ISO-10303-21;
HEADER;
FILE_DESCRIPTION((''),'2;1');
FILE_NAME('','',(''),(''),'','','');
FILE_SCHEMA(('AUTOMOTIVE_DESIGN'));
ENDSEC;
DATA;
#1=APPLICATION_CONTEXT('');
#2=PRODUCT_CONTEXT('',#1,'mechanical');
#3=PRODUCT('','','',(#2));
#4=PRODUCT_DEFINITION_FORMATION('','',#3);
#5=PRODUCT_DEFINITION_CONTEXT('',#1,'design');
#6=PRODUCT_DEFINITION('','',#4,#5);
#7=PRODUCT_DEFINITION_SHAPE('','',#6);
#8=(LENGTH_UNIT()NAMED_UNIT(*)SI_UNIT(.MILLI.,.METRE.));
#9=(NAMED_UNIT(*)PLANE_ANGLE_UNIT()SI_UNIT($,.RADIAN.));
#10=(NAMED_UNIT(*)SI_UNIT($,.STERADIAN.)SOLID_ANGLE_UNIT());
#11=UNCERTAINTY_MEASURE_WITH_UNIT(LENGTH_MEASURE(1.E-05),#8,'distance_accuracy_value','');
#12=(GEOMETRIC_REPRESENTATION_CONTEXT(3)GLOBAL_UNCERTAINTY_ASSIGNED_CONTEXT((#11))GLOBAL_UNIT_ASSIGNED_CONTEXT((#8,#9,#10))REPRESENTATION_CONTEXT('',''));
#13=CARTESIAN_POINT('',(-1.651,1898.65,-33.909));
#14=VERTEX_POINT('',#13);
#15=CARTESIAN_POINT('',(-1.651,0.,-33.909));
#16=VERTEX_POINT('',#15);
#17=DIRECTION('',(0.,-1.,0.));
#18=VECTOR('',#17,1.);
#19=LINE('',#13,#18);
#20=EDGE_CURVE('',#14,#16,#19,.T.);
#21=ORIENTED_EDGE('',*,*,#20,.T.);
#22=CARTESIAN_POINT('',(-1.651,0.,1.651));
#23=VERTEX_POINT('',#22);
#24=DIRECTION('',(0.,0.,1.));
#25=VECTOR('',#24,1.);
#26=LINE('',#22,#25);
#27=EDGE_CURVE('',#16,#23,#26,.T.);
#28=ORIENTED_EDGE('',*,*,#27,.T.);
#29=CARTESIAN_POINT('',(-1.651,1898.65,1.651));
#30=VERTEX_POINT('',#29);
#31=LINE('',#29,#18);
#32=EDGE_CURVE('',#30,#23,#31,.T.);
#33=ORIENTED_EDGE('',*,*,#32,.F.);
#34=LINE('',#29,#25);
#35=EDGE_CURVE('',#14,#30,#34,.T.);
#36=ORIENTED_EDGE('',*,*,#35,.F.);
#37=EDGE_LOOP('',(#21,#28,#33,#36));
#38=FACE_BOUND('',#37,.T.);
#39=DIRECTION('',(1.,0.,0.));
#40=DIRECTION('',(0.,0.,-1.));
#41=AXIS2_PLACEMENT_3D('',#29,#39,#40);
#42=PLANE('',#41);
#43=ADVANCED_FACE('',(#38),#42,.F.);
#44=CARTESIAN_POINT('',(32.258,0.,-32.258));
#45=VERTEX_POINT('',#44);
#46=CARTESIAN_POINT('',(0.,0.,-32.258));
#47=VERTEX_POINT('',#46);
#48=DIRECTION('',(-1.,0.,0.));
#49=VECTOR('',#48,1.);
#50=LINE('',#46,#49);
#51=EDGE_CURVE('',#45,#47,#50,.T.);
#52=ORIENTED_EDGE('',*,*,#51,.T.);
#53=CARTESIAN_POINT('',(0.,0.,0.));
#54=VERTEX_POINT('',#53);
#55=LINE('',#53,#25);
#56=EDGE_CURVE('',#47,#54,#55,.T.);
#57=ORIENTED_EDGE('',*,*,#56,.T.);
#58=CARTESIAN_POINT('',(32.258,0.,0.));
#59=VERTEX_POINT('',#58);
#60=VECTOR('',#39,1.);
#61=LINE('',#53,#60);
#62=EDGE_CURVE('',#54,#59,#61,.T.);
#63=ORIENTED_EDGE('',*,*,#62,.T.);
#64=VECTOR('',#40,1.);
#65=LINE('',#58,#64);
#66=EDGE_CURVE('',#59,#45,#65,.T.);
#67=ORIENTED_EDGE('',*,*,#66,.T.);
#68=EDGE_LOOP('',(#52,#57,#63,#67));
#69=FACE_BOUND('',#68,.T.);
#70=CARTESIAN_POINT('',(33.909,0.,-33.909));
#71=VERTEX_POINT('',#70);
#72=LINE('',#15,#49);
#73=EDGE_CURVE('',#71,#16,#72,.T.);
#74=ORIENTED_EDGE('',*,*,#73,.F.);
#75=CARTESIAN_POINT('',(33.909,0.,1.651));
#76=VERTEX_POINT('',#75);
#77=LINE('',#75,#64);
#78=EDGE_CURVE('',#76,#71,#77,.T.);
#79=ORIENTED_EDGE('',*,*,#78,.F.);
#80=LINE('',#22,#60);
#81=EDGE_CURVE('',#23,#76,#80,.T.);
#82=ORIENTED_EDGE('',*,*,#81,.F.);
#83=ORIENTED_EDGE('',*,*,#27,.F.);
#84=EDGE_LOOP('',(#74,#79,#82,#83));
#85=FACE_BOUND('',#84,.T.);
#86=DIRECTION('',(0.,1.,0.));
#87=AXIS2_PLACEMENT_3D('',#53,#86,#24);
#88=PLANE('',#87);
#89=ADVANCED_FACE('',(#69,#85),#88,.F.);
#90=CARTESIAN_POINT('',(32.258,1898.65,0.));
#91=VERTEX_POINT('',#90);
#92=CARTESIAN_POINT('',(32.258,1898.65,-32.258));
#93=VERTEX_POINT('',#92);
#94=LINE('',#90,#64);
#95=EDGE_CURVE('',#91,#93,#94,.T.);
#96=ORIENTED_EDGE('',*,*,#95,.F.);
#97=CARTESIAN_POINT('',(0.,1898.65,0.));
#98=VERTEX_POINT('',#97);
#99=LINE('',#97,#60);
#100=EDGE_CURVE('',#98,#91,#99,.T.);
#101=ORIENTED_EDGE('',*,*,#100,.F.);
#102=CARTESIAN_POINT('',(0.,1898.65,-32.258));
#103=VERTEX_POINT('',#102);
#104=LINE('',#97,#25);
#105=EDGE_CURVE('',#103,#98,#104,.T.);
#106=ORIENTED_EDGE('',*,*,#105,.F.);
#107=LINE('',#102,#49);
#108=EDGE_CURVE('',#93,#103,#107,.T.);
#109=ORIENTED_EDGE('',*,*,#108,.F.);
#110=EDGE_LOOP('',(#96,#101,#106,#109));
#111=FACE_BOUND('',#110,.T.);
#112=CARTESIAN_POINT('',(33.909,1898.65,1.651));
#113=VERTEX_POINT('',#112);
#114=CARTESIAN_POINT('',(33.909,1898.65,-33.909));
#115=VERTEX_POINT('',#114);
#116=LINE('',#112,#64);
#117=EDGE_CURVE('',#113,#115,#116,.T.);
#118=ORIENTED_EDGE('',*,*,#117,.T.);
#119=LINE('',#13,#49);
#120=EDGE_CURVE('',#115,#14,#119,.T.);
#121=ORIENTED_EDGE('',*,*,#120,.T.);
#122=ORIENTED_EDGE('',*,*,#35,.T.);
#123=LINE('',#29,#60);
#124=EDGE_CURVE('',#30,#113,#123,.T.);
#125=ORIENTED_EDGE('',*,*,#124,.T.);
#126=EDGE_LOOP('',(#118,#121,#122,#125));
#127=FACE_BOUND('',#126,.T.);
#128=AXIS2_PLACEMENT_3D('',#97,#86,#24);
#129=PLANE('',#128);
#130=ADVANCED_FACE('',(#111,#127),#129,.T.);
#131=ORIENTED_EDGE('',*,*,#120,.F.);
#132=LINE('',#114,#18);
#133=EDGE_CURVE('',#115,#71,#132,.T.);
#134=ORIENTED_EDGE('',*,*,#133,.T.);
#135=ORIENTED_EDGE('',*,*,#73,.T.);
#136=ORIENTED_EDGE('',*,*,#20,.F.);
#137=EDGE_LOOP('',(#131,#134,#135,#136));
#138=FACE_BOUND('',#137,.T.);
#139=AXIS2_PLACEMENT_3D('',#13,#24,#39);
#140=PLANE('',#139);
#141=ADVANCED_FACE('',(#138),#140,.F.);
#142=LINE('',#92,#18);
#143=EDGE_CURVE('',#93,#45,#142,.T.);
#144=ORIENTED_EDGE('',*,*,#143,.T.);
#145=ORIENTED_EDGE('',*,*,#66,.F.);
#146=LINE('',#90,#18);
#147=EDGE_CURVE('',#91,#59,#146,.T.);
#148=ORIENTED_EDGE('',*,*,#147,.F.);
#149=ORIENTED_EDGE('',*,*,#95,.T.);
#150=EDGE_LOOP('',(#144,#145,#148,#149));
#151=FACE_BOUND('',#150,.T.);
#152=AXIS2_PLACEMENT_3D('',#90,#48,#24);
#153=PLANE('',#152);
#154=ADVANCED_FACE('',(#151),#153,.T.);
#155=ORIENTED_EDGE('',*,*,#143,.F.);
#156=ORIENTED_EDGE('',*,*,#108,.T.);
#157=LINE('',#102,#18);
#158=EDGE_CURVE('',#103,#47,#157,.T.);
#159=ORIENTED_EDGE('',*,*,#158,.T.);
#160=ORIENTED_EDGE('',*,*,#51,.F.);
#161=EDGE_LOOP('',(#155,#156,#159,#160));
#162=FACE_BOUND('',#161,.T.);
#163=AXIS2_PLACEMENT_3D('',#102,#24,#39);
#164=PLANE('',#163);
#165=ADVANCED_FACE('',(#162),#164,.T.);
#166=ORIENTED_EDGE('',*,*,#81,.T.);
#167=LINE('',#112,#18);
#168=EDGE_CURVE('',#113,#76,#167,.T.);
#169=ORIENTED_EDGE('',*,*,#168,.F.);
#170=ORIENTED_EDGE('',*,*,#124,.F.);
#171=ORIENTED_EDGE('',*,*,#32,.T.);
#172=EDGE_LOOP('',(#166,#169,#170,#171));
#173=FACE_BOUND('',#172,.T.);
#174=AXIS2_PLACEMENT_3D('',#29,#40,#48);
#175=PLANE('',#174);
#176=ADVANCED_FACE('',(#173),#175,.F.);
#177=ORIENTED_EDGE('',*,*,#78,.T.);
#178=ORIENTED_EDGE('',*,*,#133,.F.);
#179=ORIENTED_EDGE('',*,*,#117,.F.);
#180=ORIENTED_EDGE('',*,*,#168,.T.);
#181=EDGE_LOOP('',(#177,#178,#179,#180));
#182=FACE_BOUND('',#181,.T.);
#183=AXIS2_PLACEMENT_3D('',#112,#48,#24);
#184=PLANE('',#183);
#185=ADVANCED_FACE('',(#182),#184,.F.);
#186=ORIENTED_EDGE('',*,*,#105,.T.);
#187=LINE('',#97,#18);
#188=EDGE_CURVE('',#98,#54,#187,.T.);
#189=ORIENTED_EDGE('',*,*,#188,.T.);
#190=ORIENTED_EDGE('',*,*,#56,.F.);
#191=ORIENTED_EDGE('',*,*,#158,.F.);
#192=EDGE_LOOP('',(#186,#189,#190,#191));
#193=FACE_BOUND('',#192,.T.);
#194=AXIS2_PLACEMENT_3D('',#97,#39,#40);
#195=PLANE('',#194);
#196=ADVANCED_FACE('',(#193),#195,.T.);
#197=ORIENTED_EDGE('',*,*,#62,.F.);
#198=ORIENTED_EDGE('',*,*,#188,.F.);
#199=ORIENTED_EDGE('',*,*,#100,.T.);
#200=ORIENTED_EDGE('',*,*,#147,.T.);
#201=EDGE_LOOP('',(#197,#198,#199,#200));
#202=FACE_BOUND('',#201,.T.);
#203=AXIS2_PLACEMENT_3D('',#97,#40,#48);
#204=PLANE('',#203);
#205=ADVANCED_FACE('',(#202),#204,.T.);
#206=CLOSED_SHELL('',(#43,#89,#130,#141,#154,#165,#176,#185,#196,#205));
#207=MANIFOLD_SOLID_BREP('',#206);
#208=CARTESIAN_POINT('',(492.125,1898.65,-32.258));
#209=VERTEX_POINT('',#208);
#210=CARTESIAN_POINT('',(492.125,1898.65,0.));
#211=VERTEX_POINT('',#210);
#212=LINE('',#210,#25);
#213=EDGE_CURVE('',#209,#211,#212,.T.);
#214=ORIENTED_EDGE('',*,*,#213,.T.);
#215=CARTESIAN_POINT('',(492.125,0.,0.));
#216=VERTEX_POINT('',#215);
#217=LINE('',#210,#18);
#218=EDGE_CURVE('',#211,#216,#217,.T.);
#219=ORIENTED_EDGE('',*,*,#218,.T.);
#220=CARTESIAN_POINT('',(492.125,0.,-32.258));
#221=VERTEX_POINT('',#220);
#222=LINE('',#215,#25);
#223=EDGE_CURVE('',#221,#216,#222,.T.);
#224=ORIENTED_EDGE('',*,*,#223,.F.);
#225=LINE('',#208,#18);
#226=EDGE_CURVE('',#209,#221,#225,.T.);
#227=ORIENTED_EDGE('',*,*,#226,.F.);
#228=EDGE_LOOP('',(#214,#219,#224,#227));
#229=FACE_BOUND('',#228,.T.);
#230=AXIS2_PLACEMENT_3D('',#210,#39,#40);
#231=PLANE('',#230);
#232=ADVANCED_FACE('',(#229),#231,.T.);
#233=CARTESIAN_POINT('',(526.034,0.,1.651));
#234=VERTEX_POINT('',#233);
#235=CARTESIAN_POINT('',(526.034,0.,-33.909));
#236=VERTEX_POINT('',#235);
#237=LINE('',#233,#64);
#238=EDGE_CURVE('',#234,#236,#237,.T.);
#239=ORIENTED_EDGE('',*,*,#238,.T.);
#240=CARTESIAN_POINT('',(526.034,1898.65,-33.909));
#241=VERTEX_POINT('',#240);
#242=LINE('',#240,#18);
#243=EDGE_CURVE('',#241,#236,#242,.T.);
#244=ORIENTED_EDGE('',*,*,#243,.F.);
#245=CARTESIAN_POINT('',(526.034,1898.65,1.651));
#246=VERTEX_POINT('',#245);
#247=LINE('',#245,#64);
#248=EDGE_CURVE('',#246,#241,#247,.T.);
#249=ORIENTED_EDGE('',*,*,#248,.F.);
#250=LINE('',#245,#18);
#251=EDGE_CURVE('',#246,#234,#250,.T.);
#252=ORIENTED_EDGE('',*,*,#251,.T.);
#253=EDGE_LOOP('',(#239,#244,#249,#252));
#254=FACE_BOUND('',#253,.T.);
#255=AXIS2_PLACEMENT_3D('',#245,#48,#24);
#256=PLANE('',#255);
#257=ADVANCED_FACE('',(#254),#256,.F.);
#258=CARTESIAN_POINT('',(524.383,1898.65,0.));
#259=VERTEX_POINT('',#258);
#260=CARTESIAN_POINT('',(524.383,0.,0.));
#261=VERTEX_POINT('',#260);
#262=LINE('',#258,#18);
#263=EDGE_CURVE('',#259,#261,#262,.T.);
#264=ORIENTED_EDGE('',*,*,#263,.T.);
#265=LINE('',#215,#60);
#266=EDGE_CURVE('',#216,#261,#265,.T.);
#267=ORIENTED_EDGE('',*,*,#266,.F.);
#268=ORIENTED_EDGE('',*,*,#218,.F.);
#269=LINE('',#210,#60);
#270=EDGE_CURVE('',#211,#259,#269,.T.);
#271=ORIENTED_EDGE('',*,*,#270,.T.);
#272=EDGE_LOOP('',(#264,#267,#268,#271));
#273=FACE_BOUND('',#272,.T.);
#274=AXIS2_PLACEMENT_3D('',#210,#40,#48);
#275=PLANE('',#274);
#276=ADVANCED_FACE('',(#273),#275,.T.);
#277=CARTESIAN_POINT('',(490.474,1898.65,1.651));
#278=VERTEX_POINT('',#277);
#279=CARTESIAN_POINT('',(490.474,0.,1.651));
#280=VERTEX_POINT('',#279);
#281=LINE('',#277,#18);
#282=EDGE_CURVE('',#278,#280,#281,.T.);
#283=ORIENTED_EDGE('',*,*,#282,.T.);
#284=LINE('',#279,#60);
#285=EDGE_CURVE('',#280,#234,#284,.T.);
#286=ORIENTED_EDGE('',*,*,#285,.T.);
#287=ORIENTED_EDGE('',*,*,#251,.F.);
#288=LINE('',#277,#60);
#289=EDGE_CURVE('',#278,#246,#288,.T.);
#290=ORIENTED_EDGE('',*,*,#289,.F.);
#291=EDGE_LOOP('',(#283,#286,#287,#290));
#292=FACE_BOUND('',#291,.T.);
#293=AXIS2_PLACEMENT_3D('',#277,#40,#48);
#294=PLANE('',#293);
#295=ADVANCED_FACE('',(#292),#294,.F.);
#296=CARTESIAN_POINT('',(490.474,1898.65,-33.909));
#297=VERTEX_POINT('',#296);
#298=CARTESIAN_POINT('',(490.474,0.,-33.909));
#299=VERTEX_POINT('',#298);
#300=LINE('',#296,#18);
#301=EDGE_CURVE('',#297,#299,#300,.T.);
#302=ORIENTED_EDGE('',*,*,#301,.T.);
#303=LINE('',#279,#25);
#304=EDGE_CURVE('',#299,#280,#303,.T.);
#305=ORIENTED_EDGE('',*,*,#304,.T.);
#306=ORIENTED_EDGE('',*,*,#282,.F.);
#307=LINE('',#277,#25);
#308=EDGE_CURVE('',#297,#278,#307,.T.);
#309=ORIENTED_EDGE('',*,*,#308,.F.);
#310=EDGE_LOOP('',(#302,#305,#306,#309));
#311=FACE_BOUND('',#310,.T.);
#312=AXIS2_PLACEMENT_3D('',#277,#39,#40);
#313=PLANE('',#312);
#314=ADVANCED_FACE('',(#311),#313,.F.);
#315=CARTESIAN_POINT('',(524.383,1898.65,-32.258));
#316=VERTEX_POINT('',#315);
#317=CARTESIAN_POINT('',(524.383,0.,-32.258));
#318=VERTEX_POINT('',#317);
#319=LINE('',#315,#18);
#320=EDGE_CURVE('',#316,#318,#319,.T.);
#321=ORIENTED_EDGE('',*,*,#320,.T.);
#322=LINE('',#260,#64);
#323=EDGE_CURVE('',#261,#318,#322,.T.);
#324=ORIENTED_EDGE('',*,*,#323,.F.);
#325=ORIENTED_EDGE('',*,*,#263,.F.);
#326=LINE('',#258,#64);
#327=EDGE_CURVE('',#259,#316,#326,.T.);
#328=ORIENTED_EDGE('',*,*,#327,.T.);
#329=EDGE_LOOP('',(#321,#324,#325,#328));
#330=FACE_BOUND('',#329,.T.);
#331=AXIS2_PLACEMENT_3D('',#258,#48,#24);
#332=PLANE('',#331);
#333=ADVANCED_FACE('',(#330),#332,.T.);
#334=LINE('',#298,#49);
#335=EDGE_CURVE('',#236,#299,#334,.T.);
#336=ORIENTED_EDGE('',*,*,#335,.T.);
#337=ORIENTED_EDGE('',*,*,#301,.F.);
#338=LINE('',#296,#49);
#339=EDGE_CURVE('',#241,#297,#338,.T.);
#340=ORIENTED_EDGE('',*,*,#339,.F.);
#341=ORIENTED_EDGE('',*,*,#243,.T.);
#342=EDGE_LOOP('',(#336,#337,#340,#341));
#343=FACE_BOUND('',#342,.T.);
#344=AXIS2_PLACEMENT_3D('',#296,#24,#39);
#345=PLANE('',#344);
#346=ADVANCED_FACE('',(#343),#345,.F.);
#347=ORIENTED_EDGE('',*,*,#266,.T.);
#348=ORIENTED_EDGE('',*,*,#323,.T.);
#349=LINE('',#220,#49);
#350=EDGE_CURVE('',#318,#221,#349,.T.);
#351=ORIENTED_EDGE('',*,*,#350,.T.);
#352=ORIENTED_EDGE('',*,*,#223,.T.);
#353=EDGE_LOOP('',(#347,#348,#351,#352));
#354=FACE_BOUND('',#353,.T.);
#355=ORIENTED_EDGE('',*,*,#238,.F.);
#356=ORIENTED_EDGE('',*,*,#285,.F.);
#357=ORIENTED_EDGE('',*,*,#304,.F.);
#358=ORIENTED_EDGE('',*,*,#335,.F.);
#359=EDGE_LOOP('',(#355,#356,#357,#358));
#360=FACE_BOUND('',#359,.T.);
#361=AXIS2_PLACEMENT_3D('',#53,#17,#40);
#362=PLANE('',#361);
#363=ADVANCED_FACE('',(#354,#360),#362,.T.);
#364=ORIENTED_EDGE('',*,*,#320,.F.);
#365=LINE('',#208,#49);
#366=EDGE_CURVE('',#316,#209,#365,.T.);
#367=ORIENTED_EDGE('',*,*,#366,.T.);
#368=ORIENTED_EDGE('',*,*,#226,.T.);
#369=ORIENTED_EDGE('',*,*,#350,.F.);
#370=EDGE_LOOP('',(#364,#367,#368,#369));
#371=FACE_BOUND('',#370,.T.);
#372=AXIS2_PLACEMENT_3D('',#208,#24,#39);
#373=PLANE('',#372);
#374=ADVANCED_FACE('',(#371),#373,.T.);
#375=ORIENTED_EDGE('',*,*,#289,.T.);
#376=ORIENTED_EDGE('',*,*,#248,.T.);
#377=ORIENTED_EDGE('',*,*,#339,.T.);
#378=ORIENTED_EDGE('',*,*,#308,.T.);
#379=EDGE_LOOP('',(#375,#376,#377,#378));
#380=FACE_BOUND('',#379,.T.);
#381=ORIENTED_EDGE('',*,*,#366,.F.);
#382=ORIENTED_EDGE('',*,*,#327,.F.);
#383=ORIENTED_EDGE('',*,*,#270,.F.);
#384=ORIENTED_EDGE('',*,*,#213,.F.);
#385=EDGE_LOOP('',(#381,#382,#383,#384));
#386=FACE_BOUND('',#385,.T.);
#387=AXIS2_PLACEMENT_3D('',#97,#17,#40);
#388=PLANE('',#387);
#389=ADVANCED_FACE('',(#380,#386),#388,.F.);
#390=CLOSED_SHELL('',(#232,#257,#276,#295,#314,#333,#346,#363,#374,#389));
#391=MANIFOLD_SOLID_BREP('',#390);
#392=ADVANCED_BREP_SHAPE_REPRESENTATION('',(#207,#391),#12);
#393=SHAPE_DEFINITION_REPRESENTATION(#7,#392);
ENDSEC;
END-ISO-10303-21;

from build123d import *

# Parameters (mm, degrees)
SKETCH1_W             = 35.56
SKETCH1_H             = 35.56
SKETCH1_W_2           = 32.258
SKETCH1_H_2           = 32.258
BOSS_EXTRUDE1_DEPTH   = 1898.65
BOSS_EXTRUDE1_2_DEPTH = 1898.65


with BuildPart() as part:
    # Sketch1 → Boss-Extrude1 (new body)
    with BuildSketch(Plane(origin=(0, 0, 0), x_dir=(1, 0, 0), z_dir=(0, 1, 0))):
        with Locations((16.129, 16.129)):
            Rectangle(SKETCH1_W, SKETCH1_H)
        with Locations((16.129, 16.129)):
            Rectangle(SKETCH1_W_2, SKETCH1_H_2, mode=Mode.SUBTRACT)
    extrude(amount=BOSS_EXTRUDE1_DEPTH)


with BuildPart() as body_2:
    # Sketch1 → Boss-Extrude1 2 (new body)
    with BuildSketch(Plane(origin=(0, 0, 0), x_dir=(1, 0, 0), z_dir=(0, 1, 0))):
        with Locations((508.254, 16.129)):
            Rectangle(SKETCH1_W, SKETCH1_H)
        with Locations((508.254, 16.129)):
            Rectangle(SKETCH1_W_2, SKETCH1_H_2, mode=Mode.SUBTRACT)
    extrude(amount=BOSS_EXTRUDE1_2_DEPTH)


solid = Compound([part.part, body_2.part])
